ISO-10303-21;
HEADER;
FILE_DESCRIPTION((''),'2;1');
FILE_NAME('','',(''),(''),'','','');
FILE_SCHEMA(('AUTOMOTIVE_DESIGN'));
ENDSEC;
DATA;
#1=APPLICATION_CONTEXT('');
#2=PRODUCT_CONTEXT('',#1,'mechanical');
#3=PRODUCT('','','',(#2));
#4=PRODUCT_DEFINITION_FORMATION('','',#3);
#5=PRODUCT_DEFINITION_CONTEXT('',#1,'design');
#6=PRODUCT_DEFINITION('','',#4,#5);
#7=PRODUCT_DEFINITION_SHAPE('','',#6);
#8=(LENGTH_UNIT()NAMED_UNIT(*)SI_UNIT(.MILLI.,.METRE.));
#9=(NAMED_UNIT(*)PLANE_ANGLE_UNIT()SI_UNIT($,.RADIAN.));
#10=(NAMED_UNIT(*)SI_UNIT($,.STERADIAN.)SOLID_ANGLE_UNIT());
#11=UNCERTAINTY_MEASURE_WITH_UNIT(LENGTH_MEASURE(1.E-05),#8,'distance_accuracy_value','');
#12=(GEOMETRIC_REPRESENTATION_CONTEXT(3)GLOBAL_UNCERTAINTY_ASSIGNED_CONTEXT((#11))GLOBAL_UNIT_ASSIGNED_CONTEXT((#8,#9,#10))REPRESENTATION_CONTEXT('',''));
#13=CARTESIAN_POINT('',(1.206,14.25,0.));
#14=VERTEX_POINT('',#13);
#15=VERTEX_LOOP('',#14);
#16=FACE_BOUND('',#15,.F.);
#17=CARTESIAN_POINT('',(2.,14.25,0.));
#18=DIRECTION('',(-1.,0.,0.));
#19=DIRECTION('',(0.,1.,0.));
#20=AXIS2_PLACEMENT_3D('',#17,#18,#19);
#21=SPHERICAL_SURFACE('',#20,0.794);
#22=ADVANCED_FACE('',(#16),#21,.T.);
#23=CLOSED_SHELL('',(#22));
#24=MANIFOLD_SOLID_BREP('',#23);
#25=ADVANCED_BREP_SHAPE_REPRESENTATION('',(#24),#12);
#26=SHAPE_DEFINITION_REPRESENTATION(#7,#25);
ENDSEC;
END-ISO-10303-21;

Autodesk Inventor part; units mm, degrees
ref_plane "YZ Plane" through (0, 0, 0) normal (1, 0, 0) x (0, 1, 0)
ref_plane "XZ Plane" through (0, 0, 0) normal (0, 1, 0) x (-1, 0, 0)
ref_plane "XY Plane" through (0, 0, 0) normal (0, 0, 1) x (1, 0, 0)
sketch "Sketch_6" plane through (0, 0, 0) normal (0, 0, 1) x (1, 0, 0)
  line L0 (2.794, 14.25) -> (1.206, 14.25)
  arc A0 (2.794, 14.25) -> (1.206, 14.25) centre (2, 14.25) ccw
  line L1 (2.794, 14.25) -> (1.206, 14.25)
  dimension "d0" = 360
revolve "Revolution1" add sketch "Sketch_6" angle 360 about axis through (2.794, 14.25, 0) along (1, 0, 0)
properties part number "W 61705-2RZ_PART3" material "Stainless Steel"
